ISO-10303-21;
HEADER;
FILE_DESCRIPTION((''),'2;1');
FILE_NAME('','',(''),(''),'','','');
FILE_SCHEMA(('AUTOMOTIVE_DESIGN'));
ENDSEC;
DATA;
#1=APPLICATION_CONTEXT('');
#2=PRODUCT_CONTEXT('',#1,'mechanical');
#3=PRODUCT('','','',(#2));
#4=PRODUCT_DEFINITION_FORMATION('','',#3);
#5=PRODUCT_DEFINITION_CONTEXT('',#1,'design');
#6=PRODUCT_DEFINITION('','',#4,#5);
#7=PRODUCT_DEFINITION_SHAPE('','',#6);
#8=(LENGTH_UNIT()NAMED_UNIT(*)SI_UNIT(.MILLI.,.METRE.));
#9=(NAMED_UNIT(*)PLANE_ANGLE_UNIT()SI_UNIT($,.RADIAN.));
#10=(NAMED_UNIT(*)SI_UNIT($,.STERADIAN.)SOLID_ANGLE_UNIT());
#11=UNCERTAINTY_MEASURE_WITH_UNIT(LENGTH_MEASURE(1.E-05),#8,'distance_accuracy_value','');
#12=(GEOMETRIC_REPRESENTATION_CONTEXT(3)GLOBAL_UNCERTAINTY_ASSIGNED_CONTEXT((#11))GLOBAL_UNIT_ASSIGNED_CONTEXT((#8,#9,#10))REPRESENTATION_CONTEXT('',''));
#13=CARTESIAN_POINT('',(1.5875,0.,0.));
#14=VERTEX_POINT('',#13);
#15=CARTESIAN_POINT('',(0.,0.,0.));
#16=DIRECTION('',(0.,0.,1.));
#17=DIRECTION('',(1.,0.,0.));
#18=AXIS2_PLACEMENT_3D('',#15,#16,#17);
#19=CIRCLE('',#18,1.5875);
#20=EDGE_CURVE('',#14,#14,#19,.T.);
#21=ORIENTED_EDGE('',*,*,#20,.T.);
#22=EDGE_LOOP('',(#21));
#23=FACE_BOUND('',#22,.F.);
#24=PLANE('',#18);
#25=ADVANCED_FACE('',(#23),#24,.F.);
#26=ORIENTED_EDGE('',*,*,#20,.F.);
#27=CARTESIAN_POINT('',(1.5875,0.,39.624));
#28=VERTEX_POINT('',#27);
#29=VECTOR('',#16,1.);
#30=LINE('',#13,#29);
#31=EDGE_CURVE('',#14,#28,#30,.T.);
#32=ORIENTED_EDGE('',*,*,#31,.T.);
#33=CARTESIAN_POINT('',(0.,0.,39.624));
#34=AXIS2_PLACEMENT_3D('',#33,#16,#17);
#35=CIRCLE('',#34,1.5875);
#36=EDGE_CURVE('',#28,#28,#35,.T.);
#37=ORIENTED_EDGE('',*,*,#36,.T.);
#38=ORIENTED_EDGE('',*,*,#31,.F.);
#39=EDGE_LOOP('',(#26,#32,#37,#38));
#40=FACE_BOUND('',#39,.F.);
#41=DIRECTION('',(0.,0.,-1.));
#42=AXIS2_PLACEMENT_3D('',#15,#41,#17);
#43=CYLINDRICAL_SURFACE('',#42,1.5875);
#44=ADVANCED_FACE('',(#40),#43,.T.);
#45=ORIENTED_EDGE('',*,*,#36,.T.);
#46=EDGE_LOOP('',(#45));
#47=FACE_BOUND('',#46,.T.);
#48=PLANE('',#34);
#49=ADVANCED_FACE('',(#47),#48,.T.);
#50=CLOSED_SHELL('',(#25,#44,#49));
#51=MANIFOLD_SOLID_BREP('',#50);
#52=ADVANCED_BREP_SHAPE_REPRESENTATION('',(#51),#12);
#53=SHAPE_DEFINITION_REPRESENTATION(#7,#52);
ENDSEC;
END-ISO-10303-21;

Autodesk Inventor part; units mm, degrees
ref_plane "YZ Plane" through (0, 0, 0) normal (1, 0, 0) x (0, 1, 0)
ref_plane "XZ Plane" through (0, 0, 0) normal (0, 1, 0) x (-1, 0, 0)
ref_plane "XY Plane" through (0, 0, 0) normal (0, 0, 1) x (1, 0, 0)
sketch "Sketch1" plane through (0, 0, 0) normal (0, 0, 1) x (1, 0, 0)
  circle A0 centre (0, 0) radius 1.5875
  dimension "d0" = 3.175
extrude "Extrusion1" add sketch "Sketch1" along normal blind 39.624
properties part number "idlerShaft" material "Stainless Steel"
